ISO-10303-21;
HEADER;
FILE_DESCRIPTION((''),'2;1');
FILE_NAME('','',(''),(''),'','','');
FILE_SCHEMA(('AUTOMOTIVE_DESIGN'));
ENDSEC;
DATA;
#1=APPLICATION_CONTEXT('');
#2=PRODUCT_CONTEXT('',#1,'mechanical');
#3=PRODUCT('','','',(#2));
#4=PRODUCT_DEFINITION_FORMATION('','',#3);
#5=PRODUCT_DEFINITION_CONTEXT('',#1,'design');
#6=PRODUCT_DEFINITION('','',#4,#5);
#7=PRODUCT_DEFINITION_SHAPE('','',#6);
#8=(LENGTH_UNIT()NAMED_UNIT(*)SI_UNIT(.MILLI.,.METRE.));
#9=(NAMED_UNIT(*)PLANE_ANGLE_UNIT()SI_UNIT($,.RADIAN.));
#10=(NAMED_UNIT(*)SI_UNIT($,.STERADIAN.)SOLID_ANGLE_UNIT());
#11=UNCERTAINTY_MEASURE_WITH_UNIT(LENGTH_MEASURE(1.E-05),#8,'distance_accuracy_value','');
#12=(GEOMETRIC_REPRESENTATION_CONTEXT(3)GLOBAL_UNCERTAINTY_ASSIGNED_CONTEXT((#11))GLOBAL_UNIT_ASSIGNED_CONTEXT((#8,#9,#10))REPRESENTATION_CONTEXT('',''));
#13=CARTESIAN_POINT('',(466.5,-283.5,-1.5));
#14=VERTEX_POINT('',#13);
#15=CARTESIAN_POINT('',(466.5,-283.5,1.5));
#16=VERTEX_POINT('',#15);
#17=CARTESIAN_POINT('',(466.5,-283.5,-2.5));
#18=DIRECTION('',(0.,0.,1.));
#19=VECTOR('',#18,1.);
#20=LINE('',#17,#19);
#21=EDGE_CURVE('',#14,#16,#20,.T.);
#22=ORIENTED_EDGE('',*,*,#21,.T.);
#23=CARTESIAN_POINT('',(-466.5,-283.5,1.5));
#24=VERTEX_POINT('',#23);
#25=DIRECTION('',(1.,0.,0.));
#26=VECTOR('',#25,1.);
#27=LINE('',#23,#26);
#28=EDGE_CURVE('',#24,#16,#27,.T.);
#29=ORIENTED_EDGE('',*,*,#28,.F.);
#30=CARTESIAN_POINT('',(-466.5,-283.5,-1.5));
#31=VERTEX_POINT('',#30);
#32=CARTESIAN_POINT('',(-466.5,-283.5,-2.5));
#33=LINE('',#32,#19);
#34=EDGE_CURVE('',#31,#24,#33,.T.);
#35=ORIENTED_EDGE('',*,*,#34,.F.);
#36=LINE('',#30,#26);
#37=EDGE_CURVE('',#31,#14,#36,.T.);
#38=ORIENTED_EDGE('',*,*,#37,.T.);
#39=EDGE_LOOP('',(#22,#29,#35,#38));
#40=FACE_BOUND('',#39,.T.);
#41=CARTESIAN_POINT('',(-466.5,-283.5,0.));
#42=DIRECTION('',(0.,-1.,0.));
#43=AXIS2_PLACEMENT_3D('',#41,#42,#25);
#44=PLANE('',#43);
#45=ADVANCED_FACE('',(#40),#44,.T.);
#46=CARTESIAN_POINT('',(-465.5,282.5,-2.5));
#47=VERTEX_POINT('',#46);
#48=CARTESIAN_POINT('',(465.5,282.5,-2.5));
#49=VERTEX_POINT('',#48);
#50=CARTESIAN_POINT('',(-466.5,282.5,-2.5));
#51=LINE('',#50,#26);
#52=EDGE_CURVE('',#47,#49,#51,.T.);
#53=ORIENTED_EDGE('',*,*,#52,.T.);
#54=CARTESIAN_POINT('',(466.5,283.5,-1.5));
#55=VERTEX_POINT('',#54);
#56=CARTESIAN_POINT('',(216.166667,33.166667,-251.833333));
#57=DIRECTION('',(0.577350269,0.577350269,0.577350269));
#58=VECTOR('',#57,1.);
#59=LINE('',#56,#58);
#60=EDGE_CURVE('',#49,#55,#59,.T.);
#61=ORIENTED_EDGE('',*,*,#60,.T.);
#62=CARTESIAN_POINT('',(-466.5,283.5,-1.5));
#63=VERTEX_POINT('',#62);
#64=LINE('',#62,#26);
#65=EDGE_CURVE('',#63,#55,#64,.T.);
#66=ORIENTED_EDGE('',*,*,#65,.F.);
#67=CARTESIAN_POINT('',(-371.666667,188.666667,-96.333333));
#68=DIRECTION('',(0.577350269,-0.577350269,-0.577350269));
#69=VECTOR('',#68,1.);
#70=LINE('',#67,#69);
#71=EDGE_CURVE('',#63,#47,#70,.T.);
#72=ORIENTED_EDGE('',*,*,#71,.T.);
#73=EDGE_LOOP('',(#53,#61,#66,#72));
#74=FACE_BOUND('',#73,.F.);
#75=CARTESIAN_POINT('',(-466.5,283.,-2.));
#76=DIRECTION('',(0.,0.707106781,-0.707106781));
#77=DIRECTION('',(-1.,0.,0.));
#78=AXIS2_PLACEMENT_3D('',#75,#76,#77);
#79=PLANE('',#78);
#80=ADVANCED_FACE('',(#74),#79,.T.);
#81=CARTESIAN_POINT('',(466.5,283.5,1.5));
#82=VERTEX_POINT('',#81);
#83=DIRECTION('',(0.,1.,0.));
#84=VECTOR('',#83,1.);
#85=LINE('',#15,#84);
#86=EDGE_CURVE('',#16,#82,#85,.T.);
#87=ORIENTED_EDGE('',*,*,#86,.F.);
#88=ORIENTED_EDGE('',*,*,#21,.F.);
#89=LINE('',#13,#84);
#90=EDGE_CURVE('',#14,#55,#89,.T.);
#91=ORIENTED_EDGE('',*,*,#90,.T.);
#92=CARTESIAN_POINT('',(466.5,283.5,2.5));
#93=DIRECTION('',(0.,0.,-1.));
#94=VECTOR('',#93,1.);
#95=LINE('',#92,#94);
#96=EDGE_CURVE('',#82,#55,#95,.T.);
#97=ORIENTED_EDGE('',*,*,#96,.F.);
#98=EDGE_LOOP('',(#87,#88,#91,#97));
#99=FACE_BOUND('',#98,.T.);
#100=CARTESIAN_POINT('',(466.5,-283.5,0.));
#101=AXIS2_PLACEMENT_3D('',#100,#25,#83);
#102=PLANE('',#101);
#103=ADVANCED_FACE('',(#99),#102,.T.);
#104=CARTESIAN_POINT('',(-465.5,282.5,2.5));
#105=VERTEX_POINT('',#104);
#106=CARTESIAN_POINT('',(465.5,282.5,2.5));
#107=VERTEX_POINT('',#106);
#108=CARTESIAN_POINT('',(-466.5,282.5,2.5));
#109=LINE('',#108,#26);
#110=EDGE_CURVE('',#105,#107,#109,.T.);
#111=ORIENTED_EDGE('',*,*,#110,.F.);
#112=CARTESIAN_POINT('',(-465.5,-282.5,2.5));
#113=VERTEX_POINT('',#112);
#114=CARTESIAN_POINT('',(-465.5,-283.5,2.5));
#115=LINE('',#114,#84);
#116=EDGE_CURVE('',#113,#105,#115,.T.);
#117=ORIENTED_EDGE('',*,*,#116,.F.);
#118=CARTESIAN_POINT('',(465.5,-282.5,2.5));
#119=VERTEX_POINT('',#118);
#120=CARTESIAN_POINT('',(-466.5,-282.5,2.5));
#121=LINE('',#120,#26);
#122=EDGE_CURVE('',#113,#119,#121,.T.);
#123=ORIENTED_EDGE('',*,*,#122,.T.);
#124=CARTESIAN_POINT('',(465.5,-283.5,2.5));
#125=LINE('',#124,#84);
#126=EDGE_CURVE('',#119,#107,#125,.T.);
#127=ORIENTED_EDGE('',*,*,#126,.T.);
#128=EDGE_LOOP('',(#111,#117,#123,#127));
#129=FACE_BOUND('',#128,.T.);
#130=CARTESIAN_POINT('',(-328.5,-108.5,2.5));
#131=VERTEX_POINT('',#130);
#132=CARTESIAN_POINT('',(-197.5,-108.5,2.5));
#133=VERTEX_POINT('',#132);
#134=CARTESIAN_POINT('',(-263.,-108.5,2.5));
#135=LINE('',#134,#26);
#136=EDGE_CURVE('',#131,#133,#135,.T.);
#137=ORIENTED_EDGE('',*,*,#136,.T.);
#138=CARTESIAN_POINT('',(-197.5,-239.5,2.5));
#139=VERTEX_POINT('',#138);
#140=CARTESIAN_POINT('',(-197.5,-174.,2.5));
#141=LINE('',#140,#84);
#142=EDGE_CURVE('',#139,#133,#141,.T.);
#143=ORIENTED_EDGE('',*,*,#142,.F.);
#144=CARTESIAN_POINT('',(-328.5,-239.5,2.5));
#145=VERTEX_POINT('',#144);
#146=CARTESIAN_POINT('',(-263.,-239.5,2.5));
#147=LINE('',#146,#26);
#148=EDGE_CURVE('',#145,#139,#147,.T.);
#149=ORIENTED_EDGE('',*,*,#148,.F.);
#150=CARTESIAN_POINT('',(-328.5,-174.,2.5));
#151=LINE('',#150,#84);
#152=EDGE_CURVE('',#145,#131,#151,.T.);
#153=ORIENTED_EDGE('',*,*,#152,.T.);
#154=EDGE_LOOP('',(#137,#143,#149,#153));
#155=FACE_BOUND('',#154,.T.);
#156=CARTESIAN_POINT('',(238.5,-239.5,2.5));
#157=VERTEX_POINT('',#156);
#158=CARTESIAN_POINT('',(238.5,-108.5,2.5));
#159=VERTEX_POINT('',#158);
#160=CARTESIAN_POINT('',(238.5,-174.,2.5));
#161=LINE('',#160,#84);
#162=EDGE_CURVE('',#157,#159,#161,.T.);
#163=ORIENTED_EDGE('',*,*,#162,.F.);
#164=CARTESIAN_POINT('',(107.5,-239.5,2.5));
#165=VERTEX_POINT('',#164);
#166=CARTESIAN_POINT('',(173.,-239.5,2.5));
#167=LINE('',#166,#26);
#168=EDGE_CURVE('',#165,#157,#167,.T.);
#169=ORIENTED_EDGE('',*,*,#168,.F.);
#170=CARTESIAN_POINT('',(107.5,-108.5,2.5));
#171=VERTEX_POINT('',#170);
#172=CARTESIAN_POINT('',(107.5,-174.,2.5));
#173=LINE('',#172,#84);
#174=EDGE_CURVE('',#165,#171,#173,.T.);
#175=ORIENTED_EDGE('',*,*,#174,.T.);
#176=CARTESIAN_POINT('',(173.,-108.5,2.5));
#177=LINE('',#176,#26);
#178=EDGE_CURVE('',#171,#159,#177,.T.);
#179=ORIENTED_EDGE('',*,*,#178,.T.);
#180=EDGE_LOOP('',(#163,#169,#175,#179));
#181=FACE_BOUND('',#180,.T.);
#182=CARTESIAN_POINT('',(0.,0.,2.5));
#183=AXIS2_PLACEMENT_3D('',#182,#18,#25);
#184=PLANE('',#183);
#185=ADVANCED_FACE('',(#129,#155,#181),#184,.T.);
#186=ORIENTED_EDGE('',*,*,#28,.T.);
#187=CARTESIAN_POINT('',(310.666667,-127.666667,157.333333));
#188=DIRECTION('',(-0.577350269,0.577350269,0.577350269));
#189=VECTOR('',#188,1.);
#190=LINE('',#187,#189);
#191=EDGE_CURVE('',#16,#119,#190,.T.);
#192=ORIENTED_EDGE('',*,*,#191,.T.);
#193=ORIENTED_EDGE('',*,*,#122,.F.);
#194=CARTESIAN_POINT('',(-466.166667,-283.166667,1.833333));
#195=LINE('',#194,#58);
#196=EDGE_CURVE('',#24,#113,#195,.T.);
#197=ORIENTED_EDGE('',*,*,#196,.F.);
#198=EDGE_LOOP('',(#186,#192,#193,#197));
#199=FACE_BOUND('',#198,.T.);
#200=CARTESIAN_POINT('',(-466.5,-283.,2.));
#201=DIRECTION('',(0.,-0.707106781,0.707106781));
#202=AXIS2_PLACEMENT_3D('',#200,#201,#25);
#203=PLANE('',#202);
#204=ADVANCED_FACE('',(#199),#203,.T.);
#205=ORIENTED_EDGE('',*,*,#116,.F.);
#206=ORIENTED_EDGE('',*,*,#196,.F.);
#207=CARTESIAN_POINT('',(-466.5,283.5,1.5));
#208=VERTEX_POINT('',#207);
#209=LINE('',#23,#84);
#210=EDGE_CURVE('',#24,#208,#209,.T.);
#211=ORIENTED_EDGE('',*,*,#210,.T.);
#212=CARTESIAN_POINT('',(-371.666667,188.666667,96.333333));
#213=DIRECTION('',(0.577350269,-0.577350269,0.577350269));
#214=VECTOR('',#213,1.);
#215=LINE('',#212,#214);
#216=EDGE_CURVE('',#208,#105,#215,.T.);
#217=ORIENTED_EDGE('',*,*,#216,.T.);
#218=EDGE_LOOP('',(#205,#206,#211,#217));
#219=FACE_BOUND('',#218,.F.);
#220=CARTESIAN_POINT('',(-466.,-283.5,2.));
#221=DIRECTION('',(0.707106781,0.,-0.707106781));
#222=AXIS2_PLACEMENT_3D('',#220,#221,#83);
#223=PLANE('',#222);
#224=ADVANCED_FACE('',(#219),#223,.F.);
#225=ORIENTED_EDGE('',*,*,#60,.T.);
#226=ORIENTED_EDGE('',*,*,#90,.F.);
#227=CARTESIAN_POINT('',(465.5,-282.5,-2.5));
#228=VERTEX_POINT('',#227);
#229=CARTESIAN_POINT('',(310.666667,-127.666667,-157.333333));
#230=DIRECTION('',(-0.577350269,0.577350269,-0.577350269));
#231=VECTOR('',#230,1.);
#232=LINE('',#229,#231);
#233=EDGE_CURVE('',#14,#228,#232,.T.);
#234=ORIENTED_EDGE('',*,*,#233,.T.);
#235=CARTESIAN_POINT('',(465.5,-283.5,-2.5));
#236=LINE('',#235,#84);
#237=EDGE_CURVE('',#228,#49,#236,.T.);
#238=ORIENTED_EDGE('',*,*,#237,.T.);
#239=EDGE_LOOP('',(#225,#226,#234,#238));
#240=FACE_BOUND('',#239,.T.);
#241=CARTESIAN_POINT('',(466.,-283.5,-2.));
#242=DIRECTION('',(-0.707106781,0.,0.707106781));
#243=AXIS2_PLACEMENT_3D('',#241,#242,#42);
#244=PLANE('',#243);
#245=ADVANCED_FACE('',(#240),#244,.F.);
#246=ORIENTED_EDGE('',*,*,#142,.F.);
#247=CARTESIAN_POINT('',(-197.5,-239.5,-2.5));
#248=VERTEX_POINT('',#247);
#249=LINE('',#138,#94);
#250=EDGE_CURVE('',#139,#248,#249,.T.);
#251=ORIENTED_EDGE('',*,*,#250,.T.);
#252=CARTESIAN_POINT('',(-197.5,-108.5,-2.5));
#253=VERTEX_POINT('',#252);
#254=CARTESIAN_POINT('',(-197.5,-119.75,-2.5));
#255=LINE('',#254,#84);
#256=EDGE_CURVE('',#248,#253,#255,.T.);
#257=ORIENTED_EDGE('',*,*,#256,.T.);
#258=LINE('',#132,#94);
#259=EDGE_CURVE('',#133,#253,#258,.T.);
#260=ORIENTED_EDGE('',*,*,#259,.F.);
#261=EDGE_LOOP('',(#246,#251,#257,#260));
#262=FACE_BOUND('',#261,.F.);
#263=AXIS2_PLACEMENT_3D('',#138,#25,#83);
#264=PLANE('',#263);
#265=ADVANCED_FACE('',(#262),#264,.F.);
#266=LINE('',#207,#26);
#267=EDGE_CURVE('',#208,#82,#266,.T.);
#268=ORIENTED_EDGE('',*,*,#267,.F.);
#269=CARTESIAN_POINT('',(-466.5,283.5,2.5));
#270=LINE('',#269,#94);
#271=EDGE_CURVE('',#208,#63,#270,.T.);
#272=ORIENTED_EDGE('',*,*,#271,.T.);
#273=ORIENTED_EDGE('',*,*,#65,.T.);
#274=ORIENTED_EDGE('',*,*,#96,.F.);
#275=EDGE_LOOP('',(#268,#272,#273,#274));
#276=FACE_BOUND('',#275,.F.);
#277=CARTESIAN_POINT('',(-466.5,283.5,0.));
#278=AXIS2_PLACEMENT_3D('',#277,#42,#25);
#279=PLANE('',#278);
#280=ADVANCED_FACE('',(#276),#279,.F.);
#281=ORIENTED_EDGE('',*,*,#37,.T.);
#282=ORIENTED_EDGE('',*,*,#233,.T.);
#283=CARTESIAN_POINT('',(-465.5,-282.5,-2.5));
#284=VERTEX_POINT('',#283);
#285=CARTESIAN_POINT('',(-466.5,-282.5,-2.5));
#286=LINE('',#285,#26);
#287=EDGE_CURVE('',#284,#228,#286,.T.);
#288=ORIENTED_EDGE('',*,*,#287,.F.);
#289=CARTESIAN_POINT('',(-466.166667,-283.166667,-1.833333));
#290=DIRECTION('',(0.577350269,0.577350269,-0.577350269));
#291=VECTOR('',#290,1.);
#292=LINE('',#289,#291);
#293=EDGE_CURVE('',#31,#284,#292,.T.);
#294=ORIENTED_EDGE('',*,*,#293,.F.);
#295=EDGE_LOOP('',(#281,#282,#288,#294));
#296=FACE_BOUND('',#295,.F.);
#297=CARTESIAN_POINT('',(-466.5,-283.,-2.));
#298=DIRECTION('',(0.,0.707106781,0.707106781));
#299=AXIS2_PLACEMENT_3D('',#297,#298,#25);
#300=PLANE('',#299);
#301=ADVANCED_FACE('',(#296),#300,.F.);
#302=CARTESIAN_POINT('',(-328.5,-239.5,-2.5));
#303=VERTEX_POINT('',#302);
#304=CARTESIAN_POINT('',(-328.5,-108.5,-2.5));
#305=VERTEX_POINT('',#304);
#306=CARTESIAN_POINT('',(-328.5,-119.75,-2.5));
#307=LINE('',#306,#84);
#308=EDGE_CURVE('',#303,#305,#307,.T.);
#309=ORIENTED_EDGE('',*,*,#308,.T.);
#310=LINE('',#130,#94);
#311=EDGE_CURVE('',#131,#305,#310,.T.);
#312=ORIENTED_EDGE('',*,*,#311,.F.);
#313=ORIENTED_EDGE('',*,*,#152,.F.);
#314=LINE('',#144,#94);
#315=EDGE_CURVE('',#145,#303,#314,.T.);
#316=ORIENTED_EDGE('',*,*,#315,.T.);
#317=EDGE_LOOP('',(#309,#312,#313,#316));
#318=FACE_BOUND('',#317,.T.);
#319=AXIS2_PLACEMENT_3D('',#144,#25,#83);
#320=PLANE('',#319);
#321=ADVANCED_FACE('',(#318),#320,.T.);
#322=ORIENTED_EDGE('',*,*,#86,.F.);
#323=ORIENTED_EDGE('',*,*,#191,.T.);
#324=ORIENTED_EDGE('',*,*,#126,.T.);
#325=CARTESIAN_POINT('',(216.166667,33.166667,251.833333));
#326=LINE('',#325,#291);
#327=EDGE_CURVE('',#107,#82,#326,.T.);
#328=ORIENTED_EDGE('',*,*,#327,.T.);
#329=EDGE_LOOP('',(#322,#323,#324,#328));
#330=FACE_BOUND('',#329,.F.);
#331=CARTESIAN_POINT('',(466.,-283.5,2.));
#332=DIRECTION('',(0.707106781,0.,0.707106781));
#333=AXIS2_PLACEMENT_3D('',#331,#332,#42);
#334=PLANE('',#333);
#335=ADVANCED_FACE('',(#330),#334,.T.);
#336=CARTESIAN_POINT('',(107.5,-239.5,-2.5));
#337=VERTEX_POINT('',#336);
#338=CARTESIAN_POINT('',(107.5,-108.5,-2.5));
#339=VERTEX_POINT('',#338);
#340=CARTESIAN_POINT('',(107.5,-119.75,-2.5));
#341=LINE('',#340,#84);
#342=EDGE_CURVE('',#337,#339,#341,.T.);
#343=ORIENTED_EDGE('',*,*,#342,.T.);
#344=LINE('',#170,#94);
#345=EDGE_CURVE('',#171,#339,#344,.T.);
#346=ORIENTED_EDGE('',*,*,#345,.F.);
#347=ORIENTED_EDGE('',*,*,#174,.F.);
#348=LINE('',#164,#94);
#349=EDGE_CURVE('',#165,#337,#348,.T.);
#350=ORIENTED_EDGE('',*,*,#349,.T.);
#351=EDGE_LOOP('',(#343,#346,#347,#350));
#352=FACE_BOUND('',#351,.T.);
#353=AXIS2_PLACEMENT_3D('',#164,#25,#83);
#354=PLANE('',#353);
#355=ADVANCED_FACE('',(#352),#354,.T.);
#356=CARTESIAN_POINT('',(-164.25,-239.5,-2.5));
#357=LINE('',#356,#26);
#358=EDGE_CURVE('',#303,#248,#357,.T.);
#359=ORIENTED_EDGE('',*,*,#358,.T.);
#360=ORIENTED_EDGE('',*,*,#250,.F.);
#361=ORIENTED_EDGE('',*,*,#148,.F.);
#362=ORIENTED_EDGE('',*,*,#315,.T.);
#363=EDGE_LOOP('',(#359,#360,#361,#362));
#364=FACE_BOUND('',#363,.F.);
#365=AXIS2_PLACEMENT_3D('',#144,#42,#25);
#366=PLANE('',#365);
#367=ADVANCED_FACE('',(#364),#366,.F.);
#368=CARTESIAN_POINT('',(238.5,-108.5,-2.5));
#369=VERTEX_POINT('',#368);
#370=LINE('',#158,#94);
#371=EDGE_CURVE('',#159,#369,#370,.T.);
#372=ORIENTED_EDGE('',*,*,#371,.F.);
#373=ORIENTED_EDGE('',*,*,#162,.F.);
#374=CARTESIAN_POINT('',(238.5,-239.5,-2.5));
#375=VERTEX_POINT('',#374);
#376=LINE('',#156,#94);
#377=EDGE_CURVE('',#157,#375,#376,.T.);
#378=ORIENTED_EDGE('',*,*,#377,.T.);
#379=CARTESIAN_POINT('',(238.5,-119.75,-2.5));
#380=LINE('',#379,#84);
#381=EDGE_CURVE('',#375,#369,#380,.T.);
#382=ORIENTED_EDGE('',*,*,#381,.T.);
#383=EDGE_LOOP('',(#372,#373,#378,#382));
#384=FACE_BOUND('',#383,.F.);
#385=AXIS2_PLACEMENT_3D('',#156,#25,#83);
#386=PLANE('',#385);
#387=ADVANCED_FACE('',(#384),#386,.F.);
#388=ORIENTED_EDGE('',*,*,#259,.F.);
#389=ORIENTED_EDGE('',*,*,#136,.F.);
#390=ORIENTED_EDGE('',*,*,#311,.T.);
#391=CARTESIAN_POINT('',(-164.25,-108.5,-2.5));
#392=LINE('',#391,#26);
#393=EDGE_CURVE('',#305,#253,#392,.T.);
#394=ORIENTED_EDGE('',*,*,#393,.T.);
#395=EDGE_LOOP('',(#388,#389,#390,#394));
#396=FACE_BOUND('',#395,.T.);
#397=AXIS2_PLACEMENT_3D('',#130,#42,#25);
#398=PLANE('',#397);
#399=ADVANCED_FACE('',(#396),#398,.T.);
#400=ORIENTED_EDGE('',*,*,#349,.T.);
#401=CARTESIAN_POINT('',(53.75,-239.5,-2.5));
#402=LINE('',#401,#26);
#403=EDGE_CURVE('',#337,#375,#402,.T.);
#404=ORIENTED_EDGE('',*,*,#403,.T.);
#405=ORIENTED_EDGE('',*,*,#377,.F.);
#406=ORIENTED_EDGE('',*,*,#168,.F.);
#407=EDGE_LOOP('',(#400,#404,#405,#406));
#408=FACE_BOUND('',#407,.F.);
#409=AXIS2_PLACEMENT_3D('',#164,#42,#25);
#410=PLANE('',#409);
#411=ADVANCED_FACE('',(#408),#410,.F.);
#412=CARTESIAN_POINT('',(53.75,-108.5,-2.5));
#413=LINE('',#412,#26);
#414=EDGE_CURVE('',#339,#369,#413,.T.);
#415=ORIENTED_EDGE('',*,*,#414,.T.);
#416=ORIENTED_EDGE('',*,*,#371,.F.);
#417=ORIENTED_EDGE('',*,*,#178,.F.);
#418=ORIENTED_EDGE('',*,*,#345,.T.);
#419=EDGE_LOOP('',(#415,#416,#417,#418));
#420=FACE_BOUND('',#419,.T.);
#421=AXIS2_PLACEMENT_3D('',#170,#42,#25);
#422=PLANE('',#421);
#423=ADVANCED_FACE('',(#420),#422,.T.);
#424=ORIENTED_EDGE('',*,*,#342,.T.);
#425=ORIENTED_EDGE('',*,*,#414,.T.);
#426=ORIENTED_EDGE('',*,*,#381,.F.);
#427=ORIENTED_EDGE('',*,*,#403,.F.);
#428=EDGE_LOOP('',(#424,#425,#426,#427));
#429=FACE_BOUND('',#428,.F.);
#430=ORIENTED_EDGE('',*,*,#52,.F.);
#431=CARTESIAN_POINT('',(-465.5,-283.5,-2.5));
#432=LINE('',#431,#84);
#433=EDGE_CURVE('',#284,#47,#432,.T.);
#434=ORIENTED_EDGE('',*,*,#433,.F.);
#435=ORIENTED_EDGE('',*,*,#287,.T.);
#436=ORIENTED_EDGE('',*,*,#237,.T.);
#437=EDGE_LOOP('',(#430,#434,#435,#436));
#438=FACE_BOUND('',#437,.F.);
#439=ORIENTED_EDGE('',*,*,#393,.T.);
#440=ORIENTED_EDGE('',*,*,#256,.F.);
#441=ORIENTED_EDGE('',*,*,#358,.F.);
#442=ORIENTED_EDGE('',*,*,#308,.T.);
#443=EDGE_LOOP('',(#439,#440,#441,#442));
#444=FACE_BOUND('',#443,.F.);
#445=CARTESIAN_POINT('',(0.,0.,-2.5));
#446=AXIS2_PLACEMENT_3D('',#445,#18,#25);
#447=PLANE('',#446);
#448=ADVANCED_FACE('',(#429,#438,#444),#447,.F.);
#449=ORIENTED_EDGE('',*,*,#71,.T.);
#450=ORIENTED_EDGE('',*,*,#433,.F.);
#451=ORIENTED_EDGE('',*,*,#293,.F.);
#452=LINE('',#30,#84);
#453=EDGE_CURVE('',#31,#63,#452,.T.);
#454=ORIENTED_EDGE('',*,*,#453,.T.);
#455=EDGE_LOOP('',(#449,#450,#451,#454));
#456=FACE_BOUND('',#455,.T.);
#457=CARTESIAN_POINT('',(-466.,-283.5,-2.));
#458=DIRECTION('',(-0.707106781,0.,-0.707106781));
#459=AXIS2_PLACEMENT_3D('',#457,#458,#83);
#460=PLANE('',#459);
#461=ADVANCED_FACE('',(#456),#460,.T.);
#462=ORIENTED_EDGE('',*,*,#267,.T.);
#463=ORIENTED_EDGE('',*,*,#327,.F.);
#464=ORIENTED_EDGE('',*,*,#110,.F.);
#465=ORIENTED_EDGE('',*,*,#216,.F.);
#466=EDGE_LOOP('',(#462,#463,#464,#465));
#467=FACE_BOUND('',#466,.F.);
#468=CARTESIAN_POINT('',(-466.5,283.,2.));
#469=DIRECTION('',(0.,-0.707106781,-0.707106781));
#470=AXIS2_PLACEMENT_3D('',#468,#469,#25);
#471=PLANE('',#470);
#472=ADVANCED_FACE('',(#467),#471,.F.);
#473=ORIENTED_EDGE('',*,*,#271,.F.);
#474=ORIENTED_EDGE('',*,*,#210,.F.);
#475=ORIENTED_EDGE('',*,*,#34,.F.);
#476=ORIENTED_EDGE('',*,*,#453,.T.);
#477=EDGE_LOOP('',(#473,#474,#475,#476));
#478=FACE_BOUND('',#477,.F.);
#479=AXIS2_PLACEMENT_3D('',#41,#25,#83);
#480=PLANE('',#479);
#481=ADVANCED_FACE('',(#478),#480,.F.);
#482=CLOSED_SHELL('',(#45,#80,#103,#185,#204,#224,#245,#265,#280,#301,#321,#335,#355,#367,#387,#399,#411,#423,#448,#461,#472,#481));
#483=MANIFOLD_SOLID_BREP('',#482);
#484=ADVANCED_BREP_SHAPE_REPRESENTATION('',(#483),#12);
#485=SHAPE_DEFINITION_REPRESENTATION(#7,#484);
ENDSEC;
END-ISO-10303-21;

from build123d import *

# Parameters (mm, degrees)
F0_W     = 933
F0_H     = 567
F1_DEPTH = 2.5
F2_W     = 131
F2_H     = 131
F3_DEPTH = 5.001
F4_W     = 131
F4_H     = 131
F5_DEPTH = 5.001
F6_SIZE  = 1


with BuildPart() as f1:
    # F0 (on Top) → F1 (new body, symmetric)
    with BuildSketch(Plane.XY):
        Rectangle(F0_W, F0_H)
    extrude(amount=F1_DEPTH, both=True)

    # F2 (on face) → F3 (cut, through all)
    with BuildSketch(Plane.XY.offset(2.5)):
        with Locations((-263, -174)):
            Rectangle(F2_W, F2_H)
    extrude(amount=-F3_DEPTH, mode=Mode.SUBTRACT)

    # F4 (on face) → F5 (cut, through all)
    with BuildSketch(Plane.XY.offset(2.5)):
        with Locations((173, -174)):
            Rectangle(F4_W, F4_H)
    extrude(amount=-F5_DEPTH, mode=Mode.SUBTRACT)

    # F6
    f6_edges = [f1.edges().sort_by_distance(p)[0] for p in [
        (-466.5, 0, 2.5),
        (-466.5, 0, -2.5),
        (0, -283.5, -2.5),
        (0, -283.5, 2.5),
        (466.5, 0, -2.5),
        (466.5, 0, 2.5),
        (0, 283.5, 2.5),
        (0, 283.5, -2.5),
    ]]
    chamfer(f6_edges, length=F6_SIZE)


solid = f1.part
